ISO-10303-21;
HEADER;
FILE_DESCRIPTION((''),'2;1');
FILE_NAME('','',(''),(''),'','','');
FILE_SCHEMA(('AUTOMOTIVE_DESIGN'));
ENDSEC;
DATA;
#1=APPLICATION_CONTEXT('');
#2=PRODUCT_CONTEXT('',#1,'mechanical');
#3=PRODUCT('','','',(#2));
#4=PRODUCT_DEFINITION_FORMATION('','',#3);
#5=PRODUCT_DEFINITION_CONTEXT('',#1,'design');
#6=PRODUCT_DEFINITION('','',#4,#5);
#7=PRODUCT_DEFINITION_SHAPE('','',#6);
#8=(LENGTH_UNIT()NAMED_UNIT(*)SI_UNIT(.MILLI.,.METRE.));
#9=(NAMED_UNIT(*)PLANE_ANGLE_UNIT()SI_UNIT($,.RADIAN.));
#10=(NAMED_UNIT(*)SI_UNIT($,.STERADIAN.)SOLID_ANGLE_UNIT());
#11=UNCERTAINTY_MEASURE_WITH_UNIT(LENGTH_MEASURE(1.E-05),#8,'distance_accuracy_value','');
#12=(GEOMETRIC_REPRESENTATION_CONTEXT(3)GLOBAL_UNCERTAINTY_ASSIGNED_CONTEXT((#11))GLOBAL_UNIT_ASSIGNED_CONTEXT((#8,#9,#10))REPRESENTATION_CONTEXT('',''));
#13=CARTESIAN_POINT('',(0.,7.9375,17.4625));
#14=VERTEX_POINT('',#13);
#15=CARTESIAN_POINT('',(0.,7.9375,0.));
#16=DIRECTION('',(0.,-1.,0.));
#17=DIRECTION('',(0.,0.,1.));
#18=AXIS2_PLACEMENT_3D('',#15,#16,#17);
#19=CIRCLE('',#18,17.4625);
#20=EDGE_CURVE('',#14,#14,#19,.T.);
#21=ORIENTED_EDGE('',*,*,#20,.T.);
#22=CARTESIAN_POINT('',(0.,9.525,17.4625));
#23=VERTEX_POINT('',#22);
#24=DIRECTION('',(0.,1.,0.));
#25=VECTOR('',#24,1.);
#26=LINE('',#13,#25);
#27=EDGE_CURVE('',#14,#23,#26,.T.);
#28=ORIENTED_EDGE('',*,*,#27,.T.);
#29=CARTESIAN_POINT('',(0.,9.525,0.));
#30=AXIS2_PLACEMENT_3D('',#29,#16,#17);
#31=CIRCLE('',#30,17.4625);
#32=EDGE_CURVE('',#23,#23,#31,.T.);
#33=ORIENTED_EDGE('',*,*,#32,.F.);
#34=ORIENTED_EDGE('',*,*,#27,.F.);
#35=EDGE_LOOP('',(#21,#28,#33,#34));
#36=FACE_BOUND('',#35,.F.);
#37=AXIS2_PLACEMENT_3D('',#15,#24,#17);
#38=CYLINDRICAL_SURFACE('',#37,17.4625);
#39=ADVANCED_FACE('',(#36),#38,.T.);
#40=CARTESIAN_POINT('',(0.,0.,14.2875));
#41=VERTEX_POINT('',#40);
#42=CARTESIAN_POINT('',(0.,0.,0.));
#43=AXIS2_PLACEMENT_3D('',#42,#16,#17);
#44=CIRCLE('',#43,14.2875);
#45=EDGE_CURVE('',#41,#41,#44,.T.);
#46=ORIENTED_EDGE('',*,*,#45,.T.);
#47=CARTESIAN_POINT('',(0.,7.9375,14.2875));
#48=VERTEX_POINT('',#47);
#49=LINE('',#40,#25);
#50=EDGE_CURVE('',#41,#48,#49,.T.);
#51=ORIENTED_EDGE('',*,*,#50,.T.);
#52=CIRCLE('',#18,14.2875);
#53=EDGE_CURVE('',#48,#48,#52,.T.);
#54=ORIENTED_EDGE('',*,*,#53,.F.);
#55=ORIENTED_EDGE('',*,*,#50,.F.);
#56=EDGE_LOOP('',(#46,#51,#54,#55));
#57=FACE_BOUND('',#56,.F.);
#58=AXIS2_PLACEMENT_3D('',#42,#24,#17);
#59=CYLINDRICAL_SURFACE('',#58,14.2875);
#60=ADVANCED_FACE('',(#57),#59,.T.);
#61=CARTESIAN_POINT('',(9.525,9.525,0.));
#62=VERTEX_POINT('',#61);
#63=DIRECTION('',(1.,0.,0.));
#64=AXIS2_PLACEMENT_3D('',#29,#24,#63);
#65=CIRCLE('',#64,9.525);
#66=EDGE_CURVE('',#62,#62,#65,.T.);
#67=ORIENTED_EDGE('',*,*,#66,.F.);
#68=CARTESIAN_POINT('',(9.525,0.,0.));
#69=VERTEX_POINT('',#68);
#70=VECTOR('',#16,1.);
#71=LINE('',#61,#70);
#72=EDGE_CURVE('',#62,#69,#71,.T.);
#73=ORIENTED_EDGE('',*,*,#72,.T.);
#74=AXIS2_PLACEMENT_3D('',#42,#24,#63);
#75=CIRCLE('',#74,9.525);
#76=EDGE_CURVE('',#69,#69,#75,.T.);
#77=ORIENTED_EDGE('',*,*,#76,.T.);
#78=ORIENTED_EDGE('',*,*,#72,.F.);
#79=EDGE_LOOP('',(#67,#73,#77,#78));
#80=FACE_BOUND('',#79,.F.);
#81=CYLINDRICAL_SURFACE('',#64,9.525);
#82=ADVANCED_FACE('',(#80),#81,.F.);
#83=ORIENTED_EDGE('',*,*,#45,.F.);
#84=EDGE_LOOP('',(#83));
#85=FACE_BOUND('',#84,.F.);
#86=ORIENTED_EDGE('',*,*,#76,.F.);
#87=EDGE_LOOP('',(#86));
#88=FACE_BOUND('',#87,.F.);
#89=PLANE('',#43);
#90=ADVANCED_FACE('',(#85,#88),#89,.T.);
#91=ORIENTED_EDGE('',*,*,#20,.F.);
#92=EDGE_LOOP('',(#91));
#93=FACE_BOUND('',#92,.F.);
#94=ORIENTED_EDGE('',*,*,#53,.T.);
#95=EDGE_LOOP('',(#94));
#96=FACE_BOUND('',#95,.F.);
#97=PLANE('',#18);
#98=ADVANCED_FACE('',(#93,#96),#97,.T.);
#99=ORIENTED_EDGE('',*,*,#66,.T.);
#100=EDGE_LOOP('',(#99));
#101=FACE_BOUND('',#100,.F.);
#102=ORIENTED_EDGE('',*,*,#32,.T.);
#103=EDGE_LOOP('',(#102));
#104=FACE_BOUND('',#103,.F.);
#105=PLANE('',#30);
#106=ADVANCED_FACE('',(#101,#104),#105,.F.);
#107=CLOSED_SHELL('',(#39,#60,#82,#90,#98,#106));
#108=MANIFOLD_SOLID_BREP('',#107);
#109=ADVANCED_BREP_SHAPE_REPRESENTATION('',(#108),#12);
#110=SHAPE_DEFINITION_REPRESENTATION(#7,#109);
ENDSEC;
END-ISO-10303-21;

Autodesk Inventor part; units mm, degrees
ref_plane "YZ Plane" through (0, 0, 0) normal (1, 0, 0) x (0, 1, 0)
ref_plane "XZ Plane" through (0, 0, 0) normal (0, 1, 0) x (-1, 0, 0)
ref_plane "XY Plane" through (0, 0, 0) normal (0, 0, 1) x (1, 0, 0)
sketch "Sketch1" plane through (0, 0, 0) normal (1, 0, 0) x (0, 1, 0)
  line L0 (10.6665, 0) -> (-4.583, 0)
  line L1 (0, 0) -> (0, 14.2875)
  line L2 (0, 14.2875) -> (7.9375, 14.2875)
  line L3 (7.9375, 14.2875) -> (7.9375, 17.4625)
  line L4 (7.9375, 17.4625) -> (9.525, 17.4625)
  line L5 (9.525, 17.4625) -> (9.525, 0)
  line L6 (9.525, 0) -> (0, 0)
  dimension "d2" = 3.175
  dimension "d3" = 1.5875
  dimension "d4" = 28.575
  dimension "d5" = 9.525
revolve "Revolution1" add sketch "Sketch1" angle 360 about axis through (0, 10.6665, 0) along (0, -1, 0)
sketch "Sketch2" plane through (0, 9.525, 0) normal (0, 1, 0) x (1, 0, 0)
  circle A0 centre (0, 0) radius 9.525
  dimension "d7" = 19.05
extrude "Extrusion1" cut sketch "Sketch2" against normal blind 25.4
properties part number "bearing_outer" material "Steel, Alloy"
